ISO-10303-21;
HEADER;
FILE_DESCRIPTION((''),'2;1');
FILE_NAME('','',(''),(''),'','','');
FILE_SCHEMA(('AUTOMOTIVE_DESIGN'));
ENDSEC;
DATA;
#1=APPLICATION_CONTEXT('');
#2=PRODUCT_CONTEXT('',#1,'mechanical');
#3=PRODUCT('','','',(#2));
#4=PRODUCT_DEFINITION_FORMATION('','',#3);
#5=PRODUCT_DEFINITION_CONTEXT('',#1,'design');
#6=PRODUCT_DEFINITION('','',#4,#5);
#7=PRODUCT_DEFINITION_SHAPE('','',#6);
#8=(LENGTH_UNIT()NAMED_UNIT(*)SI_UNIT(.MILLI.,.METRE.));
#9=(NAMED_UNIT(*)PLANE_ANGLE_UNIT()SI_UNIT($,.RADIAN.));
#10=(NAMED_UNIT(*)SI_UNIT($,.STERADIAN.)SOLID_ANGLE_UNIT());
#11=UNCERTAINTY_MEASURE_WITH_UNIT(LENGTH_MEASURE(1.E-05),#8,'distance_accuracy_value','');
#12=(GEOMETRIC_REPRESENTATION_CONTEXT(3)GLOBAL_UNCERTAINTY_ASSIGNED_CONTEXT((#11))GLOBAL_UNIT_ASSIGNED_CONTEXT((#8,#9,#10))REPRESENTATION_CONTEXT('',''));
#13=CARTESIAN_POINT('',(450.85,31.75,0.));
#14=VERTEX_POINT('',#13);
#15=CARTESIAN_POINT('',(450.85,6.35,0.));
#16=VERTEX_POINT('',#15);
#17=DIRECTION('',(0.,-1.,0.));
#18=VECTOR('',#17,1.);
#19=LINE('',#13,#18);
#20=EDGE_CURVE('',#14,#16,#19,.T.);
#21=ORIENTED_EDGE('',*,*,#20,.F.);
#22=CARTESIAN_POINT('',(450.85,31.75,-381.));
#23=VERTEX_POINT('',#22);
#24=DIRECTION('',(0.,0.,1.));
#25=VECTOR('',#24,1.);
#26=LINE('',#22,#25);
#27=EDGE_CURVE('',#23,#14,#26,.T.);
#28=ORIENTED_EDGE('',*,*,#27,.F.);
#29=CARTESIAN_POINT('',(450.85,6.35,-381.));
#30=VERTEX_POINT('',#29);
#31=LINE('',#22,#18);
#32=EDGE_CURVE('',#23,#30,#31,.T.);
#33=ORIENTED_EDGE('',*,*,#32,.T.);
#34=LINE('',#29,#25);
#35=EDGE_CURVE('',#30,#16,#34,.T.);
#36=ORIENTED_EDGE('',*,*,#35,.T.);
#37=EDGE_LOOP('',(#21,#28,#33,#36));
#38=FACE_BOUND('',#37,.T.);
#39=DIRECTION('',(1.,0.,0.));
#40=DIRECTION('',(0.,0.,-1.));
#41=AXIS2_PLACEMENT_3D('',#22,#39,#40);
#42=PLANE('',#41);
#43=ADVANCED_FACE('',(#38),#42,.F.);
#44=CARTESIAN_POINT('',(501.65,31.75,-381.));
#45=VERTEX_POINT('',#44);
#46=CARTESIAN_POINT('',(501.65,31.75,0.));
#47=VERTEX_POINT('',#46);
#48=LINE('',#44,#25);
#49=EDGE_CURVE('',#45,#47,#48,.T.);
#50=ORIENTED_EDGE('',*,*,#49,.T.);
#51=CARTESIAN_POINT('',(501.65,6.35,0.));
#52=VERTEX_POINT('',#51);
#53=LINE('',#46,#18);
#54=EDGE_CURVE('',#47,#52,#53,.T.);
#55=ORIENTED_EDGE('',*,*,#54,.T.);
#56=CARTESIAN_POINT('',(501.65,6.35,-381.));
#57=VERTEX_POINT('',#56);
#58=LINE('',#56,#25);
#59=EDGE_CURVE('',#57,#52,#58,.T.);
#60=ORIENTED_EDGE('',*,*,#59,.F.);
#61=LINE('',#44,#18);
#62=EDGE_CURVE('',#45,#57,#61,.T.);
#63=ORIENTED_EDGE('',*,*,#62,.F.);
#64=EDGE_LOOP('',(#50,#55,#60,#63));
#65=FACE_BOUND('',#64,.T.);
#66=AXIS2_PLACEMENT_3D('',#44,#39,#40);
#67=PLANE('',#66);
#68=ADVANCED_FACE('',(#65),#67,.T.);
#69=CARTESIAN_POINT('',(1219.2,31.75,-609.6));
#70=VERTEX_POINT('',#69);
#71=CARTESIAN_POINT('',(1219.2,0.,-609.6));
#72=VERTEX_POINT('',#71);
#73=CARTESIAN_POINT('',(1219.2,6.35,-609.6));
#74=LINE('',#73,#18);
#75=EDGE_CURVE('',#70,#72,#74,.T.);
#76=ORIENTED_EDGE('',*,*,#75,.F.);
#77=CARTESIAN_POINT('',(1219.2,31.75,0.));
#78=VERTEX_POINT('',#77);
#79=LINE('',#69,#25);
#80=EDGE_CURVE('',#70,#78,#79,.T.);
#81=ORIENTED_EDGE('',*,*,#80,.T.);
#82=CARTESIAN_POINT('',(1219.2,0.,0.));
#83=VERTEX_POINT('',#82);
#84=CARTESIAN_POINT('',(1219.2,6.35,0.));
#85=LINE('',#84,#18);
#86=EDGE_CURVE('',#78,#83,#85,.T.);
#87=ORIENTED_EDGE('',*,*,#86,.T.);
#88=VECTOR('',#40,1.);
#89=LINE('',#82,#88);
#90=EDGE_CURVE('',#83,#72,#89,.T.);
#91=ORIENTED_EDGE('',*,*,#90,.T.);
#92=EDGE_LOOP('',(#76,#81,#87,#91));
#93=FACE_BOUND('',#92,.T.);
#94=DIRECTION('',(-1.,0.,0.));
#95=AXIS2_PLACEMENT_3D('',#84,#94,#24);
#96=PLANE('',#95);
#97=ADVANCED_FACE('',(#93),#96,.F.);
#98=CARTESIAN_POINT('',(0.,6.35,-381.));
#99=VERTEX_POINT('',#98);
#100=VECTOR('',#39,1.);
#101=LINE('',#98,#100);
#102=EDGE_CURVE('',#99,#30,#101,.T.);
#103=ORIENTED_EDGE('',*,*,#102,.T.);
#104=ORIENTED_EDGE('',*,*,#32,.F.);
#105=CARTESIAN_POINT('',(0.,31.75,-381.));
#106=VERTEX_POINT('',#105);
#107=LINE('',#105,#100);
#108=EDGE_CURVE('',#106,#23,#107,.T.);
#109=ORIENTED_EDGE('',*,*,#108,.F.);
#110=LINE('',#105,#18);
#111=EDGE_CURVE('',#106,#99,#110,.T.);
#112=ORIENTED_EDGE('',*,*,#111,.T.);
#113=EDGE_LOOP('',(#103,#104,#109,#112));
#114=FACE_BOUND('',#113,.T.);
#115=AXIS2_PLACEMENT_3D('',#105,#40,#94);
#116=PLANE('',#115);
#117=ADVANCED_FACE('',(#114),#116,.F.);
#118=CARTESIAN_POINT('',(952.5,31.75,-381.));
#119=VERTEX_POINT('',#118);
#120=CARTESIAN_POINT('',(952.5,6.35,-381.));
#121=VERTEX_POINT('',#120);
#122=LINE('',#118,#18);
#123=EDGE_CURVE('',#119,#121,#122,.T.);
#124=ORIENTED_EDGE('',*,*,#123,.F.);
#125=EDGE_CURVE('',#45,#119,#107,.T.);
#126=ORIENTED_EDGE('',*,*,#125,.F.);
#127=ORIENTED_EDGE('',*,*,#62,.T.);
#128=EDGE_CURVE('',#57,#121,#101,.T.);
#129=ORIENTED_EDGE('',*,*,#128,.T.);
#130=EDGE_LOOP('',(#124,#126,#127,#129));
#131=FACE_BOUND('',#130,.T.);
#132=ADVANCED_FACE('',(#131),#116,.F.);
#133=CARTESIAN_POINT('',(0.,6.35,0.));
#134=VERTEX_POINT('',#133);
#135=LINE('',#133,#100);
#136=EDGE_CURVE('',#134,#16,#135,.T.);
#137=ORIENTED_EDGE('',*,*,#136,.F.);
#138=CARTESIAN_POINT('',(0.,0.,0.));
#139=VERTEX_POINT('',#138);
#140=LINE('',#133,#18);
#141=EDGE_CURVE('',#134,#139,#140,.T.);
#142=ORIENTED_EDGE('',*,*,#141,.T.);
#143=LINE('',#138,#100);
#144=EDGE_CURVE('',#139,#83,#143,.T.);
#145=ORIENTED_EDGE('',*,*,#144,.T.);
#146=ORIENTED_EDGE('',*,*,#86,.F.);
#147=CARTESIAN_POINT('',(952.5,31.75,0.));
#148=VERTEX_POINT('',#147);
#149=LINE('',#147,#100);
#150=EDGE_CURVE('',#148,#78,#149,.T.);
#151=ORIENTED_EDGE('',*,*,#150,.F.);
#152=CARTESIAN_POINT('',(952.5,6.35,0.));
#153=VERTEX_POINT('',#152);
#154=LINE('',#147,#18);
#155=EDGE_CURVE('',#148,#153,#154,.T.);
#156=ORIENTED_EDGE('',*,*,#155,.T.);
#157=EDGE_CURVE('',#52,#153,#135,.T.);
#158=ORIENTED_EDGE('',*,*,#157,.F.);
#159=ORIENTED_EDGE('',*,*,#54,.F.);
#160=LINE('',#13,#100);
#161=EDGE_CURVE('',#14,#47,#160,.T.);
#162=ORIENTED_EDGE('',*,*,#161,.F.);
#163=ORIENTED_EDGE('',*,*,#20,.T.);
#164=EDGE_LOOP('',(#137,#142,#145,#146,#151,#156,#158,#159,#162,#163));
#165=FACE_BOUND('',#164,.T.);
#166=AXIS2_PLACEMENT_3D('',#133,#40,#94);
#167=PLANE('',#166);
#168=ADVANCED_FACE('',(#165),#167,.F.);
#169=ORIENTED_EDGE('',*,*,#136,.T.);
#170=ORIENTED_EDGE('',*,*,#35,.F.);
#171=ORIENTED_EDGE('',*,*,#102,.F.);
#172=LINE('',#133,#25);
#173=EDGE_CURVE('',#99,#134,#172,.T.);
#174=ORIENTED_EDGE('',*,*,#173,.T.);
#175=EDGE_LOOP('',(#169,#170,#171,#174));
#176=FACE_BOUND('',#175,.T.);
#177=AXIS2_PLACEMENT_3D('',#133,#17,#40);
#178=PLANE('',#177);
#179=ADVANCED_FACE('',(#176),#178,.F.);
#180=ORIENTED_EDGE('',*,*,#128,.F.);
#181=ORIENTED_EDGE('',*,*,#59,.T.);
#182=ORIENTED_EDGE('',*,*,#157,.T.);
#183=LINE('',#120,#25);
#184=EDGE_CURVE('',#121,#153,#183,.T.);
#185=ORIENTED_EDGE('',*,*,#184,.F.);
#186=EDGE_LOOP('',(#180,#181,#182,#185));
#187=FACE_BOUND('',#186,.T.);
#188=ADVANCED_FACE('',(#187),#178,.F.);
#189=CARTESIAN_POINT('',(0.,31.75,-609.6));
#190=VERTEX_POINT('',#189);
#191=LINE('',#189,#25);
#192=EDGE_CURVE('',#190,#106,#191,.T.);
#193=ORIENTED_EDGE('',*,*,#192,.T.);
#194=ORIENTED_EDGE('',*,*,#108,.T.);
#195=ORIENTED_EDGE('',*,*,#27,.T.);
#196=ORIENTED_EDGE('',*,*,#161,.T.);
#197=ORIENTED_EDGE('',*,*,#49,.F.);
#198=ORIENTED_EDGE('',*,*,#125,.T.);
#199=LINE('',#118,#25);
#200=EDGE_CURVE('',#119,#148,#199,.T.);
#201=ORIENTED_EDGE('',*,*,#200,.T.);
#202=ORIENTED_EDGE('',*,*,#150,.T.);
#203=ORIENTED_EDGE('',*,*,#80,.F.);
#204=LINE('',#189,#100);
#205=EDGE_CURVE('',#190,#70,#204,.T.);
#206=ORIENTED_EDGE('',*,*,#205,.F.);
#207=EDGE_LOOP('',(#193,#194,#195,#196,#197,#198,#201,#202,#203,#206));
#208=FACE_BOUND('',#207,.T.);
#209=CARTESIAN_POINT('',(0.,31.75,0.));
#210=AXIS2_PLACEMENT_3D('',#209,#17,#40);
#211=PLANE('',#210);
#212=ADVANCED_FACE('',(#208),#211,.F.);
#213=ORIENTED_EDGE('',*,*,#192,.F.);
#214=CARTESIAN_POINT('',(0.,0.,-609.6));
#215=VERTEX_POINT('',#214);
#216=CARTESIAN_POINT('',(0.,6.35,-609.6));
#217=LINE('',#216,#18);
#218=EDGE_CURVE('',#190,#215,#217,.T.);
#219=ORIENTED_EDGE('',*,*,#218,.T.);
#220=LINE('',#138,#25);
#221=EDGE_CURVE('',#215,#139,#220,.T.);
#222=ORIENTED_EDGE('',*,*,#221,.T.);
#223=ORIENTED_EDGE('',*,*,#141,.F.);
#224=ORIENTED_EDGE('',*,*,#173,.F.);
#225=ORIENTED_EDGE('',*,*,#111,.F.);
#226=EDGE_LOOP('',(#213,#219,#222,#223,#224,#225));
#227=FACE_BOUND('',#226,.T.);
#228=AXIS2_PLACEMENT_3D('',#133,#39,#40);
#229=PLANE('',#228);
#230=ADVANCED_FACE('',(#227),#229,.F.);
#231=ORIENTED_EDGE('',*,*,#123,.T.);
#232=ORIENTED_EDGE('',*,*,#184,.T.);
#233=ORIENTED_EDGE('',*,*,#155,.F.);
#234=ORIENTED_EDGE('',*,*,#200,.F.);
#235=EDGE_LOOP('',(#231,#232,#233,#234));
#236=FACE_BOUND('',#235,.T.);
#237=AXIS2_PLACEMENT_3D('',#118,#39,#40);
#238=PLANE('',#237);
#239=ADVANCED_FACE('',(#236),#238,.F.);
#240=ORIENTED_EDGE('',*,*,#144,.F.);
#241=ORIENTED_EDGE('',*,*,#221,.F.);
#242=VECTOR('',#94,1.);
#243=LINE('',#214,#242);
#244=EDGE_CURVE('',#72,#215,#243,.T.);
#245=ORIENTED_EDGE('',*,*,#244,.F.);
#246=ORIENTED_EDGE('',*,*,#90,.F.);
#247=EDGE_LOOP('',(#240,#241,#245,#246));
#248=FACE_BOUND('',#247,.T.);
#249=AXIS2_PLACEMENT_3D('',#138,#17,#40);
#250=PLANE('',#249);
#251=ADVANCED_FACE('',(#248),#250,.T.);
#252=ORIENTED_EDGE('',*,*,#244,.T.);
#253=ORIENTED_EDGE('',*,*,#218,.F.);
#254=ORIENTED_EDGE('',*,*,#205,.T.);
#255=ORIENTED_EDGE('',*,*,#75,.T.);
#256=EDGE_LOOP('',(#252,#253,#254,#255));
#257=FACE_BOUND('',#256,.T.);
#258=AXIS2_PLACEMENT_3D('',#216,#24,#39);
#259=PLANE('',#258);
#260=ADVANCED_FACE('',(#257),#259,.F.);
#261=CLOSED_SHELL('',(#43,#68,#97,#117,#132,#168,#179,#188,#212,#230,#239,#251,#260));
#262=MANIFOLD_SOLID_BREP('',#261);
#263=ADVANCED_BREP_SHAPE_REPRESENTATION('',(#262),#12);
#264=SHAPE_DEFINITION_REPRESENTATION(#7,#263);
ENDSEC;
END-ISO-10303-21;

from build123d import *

# Parameters (mm, degrees)
SKETCH1_W           = 1219.2
SKETCH1_H           = 609.6
BOSS_EXTRUDE1_DEPTH = 6.35
SKETCH7_W           = 266.7
SKETCH7_H           = 381
SKETCH7_W_2         = 50.8
BOSS_EXTRUDE2_DEPTH = 25.4


with BuildPart() as part:
    # Sketch1 → Boss-Extrude1 (new body)
    with BuildSketch(Plane(origin=(0, 0, 0), x_dir=(1, 0, 0), z_dir=(0, 1, 0))):
        with Locations((609.6, 304.8)):
            Rectangle(SKETCH1_W, SKETCH1_H)
    extrude(amount=BOSS_EXTRUDE1_DEPTH)

    # Sketch7 → Boss-Extrude2 (add)
    with BuildSketch(Plane(origin=(0, 6.35, 0), x_dir=(1, 0, 0), z_dir=(0, 1, 0))):
        Polygon((1219.2, 609.6), (0, 609.6), (0, 381), (450.85, 381), (501.65, 381), (952.5, 381), (1219.2, 381), align=None)
        with Locations((1085.85, 190.5)):
            Rectangle(SKETCH7_W, SKETCH7_H)
        with Locations((476.25, 190.5)):
            Rectangle(SKETCH7_W_2, SKETCH7_H)
    extrude(amount=BOSS_EXTRUDE2_DEPTH)


solid = part.part
